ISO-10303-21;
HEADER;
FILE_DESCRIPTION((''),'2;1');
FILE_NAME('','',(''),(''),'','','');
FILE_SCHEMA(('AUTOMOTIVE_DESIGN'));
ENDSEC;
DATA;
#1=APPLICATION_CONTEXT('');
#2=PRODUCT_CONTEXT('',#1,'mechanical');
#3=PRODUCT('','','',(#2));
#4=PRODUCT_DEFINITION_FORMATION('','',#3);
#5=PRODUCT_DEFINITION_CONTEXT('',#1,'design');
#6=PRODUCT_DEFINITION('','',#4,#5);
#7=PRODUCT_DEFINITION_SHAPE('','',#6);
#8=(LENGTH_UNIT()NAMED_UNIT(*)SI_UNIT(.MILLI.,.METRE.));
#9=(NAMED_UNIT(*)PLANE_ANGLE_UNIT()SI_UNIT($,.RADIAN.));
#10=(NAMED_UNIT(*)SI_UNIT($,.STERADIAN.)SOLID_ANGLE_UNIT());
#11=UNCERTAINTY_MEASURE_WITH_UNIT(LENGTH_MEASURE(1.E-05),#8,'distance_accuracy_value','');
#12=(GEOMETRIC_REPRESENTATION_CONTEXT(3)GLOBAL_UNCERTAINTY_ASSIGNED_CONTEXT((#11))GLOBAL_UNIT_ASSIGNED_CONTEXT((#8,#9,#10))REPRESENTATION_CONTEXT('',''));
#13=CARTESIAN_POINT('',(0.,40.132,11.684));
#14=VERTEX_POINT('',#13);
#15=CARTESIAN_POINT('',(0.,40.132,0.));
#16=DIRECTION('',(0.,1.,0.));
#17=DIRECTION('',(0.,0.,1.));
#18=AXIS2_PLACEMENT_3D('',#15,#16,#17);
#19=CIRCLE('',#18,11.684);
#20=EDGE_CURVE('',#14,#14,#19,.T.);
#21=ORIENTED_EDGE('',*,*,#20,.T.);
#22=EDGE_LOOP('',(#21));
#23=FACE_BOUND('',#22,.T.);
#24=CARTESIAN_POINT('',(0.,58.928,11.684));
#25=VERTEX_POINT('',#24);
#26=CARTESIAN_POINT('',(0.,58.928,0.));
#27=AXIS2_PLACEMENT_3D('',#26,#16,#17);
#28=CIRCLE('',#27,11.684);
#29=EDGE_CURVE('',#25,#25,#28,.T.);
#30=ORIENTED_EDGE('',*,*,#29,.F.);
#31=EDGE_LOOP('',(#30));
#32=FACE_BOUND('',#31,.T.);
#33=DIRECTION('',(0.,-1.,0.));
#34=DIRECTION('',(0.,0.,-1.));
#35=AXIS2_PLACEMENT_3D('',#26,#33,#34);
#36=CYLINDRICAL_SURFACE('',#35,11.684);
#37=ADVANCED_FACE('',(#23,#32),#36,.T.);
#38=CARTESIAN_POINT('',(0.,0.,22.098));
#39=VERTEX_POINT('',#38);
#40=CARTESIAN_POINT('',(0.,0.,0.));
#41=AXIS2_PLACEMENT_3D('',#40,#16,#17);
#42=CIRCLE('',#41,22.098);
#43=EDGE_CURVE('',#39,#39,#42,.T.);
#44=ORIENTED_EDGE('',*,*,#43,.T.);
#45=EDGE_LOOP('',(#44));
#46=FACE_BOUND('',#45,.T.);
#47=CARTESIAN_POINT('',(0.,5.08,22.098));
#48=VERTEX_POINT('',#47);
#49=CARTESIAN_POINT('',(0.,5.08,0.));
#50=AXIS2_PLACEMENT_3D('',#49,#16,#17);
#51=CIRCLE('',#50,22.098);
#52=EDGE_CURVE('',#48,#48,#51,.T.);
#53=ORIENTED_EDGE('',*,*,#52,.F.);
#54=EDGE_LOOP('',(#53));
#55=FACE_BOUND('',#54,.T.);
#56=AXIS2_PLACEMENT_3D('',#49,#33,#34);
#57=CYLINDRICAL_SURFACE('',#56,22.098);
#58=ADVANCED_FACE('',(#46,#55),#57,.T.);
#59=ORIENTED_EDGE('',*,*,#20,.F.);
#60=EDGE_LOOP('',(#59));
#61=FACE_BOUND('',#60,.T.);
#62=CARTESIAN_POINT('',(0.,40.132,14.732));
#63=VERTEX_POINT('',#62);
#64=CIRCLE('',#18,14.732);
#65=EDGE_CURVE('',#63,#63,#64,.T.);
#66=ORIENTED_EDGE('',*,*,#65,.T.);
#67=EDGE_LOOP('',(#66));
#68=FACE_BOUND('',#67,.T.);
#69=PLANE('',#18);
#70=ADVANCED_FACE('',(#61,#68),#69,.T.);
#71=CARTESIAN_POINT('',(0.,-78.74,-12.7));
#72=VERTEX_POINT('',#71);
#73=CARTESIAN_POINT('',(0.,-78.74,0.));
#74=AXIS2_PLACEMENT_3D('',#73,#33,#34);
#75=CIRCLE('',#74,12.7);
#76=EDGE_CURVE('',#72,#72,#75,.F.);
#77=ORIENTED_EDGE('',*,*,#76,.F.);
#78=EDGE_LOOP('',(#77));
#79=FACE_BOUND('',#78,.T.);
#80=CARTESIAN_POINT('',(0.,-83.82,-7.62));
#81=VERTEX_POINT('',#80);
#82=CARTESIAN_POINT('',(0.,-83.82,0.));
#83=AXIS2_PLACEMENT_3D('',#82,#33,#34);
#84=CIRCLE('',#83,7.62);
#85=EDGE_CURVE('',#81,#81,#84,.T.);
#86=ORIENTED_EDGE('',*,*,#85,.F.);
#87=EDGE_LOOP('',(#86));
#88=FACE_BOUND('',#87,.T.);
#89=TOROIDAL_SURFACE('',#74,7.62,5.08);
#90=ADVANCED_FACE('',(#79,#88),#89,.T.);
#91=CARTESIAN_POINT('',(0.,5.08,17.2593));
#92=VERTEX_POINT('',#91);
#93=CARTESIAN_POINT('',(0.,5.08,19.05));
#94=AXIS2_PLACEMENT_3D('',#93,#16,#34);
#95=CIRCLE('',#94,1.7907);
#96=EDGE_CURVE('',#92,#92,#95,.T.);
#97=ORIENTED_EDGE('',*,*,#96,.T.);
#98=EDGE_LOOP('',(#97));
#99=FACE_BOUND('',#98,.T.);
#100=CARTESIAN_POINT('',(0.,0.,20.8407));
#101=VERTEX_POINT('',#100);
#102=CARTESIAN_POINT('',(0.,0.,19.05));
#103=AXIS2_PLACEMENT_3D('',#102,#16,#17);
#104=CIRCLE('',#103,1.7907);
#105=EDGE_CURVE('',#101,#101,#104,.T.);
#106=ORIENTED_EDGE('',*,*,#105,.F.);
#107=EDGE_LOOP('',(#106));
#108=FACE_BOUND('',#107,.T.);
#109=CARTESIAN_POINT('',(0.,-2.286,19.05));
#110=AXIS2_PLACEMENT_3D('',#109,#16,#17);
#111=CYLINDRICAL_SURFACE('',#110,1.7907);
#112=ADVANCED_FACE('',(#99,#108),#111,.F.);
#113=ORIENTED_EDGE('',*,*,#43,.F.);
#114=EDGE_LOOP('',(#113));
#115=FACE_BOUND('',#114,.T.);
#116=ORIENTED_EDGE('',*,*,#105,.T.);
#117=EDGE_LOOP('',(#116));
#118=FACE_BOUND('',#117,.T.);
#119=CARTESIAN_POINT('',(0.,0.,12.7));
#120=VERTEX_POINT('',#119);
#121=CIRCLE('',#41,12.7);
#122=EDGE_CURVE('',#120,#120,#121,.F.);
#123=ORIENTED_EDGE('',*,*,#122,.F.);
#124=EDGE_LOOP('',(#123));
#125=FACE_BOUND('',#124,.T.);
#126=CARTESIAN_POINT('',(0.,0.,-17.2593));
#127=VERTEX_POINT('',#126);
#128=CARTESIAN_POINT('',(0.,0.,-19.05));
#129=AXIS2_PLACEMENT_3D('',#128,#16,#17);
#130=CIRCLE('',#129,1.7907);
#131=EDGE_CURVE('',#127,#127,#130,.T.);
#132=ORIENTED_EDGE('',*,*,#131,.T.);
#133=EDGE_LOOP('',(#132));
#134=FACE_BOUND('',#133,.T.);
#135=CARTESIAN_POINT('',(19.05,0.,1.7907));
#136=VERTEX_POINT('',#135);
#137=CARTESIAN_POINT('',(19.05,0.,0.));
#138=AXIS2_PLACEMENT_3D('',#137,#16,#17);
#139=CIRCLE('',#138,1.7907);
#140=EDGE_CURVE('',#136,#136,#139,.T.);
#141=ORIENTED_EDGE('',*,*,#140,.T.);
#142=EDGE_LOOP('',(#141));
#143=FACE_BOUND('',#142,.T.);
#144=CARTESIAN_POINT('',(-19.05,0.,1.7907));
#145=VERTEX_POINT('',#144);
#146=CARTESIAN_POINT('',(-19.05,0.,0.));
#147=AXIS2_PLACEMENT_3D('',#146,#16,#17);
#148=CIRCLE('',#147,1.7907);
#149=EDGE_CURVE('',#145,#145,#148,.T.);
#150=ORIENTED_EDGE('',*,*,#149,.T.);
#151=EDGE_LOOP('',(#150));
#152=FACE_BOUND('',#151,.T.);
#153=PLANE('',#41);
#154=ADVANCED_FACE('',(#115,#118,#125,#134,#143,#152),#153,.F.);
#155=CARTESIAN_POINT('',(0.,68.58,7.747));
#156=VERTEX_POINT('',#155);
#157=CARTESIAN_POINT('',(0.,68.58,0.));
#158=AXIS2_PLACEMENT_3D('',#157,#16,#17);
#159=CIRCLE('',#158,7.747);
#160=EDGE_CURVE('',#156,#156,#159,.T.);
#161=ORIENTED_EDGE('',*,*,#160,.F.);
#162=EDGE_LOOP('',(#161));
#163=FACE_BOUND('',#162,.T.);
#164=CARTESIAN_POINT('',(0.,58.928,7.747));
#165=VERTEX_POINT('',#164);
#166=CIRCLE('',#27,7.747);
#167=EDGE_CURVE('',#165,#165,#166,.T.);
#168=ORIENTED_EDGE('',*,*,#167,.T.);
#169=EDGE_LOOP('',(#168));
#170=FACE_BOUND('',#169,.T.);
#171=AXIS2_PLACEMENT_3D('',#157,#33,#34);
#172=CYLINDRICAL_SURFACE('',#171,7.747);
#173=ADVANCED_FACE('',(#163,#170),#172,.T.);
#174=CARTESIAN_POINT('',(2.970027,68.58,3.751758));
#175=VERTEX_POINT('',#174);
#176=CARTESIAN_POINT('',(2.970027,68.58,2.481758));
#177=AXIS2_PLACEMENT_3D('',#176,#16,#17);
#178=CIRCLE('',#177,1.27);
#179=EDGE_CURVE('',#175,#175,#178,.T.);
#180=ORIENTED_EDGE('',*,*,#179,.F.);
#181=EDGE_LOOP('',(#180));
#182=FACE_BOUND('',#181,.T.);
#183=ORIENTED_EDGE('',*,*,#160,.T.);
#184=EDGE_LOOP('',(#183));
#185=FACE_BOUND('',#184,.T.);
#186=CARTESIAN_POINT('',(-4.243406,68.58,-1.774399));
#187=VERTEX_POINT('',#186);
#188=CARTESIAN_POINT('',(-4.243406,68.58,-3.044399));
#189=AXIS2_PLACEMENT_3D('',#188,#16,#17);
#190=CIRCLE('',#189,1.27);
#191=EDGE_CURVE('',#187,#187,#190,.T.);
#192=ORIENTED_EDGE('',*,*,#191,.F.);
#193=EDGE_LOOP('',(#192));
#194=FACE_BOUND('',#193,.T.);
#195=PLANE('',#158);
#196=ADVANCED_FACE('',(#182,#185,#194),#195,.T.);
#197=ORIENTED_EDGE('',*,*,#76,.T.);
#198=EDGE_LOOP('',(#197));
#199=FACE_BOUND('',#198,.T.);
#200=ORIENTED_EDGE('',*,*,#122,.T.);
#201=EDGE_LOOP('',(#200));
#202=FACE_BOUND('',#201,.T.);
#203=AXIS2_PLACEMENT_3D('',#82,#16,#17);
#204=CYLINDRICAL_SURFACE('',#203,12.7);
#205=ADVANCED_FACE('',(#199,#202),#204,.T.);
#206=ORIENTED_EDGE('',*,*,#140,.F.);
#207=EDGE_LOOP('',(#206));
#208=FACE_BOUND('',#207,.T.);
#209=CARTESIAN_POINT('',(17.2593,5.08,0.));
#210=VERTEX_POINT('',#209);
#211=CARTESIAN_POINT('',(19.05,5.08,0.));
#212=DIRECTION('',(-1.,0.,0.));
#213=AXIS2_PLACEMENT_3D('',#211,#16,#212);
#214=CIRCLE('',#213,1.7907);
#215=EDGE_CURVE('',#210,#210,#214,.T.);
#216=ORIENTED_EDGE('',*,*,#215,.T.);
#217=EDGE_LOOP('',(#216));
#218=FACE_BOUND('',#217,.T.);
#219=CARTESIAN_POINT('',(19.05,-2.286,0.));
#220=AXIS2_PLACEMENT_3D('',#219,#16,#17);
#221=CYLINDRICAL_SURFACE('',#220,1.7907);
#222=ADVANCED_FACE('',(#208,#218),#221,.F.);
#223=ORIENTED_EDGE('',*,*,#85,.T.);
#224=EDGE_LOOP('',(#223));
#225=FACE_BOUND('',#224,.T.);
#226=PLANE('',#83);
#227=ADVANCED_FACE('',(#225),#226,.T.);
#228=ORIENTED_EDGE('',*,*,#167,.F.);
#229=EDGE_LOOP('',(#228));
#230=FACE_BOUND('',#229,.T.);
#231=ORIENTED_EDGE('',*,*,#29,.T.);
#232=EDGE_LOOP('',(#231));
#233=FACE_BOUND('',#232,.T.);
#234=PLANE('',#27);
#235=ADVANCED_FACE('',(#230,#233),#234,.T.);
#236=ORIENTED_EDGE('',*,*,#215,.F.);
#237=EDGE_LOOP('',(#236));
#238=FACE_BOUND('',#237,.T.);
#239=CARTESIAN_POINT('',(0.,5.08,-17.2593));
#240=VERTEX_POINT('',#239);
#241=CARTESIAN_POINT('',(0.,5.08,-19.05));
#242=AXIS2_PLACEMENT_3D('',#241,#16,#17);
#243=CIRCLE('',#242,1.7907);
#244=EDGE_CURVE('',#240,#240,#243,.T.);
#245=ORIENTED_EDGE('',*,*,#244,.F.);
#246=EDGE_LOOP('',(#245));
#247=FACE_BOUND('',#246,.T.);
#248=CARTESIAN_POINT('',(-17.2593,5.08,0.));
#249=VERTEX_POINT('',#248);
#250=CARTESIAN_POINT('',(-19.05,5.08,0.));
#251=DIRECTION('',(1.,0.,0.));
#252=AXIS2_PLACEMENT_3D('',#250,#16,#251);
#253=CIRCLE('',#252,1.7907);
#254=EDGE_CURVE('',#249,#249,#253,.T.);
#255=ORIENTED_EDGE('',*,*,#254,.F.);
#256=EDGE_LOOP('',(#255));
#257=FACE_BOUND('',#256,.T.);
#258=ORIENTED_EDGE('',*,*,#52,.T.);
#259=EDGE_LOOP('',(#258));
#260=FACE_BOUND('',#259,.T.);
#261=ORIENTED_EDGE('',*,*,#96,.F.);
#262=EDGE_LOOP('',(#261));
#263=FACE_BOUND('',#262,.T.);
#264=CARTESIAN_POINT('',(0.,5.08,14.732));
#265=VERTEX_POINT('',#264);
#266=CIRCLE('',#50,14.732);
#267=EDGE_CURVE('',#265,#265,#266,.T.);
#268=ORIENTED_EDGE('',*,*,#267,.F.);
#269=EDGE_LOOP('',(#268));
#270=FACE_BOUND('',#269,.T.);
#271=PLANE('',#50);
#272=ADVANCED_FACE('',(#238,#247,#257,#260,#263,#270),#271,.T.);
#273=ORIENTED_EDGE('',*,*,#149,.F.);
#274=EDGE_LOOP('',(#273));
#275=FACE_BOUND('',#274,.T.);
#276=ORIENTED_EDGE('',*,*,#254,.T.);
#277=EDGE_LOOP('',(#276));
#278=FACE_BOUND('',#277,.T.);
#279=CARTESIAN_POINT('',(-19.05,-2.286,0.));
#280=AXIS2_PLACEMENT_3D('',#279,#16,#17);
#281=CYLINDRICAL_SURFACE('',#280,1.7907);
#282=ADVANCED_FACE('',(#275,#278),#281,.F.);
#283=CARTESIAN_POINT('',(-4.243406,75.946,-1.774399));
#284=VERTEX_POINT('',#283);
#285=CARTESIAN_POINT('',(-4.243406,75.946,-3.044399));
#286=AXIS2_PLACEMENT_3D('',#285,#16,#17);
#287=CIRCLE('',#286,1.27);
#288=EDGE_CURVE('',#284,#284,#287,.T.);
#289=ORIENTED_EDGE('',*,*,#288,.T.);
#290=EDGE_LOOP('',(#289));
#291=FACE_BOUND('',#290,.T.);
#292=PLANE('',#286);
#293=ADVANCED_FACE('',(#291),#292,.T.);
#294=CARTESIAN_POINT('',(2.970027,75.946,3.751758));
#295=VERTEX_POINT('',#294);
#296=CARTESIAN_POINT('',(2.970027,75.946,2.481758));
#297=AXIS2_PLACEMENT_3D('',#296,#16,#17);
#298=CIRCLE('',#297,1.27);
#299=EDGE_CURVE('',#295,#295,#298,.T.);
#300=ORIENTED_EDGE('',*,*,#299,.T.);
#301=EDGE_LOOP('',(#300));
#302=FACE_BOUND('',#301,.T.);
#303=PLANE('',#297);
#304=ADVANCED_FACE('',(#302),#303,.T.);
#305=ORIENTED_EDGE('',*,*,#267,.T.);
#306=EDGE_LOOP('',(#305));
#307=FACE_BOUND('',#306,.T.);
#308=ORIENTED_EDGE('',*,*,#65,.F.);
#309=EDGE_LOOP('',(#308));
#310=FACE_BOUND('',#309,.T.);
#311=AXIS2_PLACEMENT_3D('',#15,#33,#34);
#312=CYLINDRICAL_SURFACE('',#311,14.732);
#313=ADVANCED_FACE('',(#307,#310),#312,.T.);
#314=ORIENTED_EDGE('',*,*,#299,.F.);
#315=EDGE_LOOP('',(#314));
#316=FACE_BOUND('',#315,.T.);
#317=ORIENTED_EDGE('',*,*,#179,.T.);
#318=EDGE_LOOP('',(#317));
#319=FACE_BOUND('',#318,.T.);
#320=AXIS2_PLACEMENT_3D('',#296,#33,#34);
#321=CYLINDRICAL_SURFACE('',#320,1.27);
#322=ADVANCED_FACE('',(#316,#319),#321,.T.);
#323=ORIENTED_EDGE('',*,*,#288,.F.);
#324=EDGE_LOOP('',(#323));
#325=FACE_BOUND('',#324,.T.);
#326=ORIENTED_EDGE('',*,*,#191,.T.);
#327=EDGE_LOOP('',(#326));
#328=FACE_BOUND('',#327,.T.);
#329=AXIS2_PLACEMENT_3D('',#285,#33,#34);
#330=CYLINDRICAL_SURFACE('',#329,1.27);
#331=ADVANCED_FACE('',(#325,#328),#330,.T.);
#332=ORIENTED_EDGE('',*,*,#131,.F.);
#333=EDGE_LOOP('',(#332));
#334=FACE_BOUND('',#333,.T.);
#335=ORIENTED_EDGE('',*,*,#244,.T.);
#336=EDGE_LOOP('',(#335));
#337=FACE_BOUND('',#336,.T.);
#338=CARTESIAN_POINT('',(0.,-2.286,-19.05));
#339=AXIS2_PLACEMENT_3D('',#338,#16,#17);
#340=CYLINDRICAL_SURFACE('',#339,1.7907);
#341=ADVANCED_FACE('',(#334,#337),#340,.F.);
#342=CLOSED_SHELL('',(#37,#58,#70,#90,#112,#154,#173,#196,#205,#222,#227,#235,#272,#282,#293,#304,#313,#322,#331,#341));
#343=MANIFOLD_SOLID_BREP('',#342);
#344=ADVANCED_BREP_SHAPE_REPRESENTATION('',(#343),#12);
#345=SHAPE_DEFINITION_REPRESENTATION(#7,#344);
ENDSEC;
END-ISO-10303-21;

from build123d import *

# Parameters (mm, degrees)
SKETCH1_R           = 22.098
BOSS_EXTRUDE1_DEPTH = 5.08
SKETCH2_R           = 14.732
BOSS_EXTRUDE2_DEPTH = 35.052
SKETCH3_R           = 11.684
BOSS_EXTRUDE3_DEPTH = 18.796
SKETCH4_R           = 7.747
BOSS_EXTRUDE4_DEPTH = 9.652
SKETCH5_R           = 1.27
BOSS_EXTRUDE5_DEPTH = 7.366
SKETCH6_R           = 1.7907
CUT_EXTRUDE1_DEPTH  = 7.366
CIRPATTERN1_COUNT   = 4
SKETCH7_R           = 12.7
BOSS_EXTRUDE6_DEPTH = 83.82
FILLET1_R           = 5.08


with BuildPart() as part:
    # Sketch1 → Boss-Extrude1 (new body)
    with BuildSketch(Plane(origin=(0, 0, 0), x_dir=(1, 0, 0), z_dir=(0, 1, 0))):
        Circle(SKETCH1_R)
    extrude(amount=BOSS_EXTRUDE1_DEPTH)

    # Sketch2 → Boss-Extrude2 (add)
    with BuildSketch(Plane(origin=(0, 5.08, 0), x_dir=(1, 0, 0), z_dir=(0, 1, 0))):
        Circle(SKETCH2_R)
    extrude(amount=BOSS_EXTRUDE2_DEPTH)

    # Sketch3 → Boss-Extrude3 (add)
    with BuildSketch(Plane(origin=(0, 40.132, 0), x_dir=(1, 0, 0), z_dir=(0, 1, 0))):
        Circle(SKETCH3_R)
    extrude(amount=BOSS_EXTRUDE3_DEPTH)

    # Sketch4 → Boss-Extrude4 (add)
    with BuildSketch(Plane(origin=(0, 58.928, 0), x_dir=(1, 0, 0), z_dir=(0, 1, 0))):
        Circle(SKETCH4_R)
    extrude(amount=BOSS_EXTRUDE4_DEPTH)

    # Sketch5 → Boss-Extrude5 (add)
    with BuildSketch(Plane(origin=(0, 68.58, 0), x_dir=(1, 0, 0), z_dir=(0, 1, 0))):
        with Locations((-4.243406318, 3.044398822)):
            Circle(SKETCH5_R)
        with Locations((2.970026773, -2.481757502)):
            Circle(SKETCH5_R)
    extrude(amount=BOSS_EXTRUDE5_DEPTH)

    # Sketch6 → Cut-Extrude1 (cut)
    with BuildSketch(Plane(origin=(0, 5.08, 0), x_dir=(1, 0, 0), z_dir=(0, 1, 0))):
        with Locations((0, 19.05)):
            Circle(SKETCH6_R)
    cut_extrude1 = extrude(amount=-CUT_EXTRUDE1_DEPTH, mode=Mode.SUBTRACT)

    # CirPattern1: Cut-Extrude1 ×4 about axis
    cirpattern1_axis = Axis((0, 0, 0), (0, 1, 0))
    for i in range(1, CIRPATTERN1_COUNT):
        add(cut_extrude1.rotate(cirpattern1_axis, i * 360 / CIRPATTERN1_COUNT), mode=Mode.SUBTRACT)

    # Sketch7 → Boss-Extrude6 (add)
    with BuildSketch(Plane(origin=(0, 0, 0), x_dir=(-1, 0, 0), z_dir=(0, -1, 0))):
        Circle(SKETCH7_R)
    extrude(amount=BOSS_EXTRUDE6_DEPTH)

    # Fillet1
    fillet1_edges = [part.edges().sort_by_distance(p)[0] for p in [
        (12.7, -83.82, 0),
    ]]
    fillet(fillet1_edges, radius=FILLET1_R)


solid = part.part
